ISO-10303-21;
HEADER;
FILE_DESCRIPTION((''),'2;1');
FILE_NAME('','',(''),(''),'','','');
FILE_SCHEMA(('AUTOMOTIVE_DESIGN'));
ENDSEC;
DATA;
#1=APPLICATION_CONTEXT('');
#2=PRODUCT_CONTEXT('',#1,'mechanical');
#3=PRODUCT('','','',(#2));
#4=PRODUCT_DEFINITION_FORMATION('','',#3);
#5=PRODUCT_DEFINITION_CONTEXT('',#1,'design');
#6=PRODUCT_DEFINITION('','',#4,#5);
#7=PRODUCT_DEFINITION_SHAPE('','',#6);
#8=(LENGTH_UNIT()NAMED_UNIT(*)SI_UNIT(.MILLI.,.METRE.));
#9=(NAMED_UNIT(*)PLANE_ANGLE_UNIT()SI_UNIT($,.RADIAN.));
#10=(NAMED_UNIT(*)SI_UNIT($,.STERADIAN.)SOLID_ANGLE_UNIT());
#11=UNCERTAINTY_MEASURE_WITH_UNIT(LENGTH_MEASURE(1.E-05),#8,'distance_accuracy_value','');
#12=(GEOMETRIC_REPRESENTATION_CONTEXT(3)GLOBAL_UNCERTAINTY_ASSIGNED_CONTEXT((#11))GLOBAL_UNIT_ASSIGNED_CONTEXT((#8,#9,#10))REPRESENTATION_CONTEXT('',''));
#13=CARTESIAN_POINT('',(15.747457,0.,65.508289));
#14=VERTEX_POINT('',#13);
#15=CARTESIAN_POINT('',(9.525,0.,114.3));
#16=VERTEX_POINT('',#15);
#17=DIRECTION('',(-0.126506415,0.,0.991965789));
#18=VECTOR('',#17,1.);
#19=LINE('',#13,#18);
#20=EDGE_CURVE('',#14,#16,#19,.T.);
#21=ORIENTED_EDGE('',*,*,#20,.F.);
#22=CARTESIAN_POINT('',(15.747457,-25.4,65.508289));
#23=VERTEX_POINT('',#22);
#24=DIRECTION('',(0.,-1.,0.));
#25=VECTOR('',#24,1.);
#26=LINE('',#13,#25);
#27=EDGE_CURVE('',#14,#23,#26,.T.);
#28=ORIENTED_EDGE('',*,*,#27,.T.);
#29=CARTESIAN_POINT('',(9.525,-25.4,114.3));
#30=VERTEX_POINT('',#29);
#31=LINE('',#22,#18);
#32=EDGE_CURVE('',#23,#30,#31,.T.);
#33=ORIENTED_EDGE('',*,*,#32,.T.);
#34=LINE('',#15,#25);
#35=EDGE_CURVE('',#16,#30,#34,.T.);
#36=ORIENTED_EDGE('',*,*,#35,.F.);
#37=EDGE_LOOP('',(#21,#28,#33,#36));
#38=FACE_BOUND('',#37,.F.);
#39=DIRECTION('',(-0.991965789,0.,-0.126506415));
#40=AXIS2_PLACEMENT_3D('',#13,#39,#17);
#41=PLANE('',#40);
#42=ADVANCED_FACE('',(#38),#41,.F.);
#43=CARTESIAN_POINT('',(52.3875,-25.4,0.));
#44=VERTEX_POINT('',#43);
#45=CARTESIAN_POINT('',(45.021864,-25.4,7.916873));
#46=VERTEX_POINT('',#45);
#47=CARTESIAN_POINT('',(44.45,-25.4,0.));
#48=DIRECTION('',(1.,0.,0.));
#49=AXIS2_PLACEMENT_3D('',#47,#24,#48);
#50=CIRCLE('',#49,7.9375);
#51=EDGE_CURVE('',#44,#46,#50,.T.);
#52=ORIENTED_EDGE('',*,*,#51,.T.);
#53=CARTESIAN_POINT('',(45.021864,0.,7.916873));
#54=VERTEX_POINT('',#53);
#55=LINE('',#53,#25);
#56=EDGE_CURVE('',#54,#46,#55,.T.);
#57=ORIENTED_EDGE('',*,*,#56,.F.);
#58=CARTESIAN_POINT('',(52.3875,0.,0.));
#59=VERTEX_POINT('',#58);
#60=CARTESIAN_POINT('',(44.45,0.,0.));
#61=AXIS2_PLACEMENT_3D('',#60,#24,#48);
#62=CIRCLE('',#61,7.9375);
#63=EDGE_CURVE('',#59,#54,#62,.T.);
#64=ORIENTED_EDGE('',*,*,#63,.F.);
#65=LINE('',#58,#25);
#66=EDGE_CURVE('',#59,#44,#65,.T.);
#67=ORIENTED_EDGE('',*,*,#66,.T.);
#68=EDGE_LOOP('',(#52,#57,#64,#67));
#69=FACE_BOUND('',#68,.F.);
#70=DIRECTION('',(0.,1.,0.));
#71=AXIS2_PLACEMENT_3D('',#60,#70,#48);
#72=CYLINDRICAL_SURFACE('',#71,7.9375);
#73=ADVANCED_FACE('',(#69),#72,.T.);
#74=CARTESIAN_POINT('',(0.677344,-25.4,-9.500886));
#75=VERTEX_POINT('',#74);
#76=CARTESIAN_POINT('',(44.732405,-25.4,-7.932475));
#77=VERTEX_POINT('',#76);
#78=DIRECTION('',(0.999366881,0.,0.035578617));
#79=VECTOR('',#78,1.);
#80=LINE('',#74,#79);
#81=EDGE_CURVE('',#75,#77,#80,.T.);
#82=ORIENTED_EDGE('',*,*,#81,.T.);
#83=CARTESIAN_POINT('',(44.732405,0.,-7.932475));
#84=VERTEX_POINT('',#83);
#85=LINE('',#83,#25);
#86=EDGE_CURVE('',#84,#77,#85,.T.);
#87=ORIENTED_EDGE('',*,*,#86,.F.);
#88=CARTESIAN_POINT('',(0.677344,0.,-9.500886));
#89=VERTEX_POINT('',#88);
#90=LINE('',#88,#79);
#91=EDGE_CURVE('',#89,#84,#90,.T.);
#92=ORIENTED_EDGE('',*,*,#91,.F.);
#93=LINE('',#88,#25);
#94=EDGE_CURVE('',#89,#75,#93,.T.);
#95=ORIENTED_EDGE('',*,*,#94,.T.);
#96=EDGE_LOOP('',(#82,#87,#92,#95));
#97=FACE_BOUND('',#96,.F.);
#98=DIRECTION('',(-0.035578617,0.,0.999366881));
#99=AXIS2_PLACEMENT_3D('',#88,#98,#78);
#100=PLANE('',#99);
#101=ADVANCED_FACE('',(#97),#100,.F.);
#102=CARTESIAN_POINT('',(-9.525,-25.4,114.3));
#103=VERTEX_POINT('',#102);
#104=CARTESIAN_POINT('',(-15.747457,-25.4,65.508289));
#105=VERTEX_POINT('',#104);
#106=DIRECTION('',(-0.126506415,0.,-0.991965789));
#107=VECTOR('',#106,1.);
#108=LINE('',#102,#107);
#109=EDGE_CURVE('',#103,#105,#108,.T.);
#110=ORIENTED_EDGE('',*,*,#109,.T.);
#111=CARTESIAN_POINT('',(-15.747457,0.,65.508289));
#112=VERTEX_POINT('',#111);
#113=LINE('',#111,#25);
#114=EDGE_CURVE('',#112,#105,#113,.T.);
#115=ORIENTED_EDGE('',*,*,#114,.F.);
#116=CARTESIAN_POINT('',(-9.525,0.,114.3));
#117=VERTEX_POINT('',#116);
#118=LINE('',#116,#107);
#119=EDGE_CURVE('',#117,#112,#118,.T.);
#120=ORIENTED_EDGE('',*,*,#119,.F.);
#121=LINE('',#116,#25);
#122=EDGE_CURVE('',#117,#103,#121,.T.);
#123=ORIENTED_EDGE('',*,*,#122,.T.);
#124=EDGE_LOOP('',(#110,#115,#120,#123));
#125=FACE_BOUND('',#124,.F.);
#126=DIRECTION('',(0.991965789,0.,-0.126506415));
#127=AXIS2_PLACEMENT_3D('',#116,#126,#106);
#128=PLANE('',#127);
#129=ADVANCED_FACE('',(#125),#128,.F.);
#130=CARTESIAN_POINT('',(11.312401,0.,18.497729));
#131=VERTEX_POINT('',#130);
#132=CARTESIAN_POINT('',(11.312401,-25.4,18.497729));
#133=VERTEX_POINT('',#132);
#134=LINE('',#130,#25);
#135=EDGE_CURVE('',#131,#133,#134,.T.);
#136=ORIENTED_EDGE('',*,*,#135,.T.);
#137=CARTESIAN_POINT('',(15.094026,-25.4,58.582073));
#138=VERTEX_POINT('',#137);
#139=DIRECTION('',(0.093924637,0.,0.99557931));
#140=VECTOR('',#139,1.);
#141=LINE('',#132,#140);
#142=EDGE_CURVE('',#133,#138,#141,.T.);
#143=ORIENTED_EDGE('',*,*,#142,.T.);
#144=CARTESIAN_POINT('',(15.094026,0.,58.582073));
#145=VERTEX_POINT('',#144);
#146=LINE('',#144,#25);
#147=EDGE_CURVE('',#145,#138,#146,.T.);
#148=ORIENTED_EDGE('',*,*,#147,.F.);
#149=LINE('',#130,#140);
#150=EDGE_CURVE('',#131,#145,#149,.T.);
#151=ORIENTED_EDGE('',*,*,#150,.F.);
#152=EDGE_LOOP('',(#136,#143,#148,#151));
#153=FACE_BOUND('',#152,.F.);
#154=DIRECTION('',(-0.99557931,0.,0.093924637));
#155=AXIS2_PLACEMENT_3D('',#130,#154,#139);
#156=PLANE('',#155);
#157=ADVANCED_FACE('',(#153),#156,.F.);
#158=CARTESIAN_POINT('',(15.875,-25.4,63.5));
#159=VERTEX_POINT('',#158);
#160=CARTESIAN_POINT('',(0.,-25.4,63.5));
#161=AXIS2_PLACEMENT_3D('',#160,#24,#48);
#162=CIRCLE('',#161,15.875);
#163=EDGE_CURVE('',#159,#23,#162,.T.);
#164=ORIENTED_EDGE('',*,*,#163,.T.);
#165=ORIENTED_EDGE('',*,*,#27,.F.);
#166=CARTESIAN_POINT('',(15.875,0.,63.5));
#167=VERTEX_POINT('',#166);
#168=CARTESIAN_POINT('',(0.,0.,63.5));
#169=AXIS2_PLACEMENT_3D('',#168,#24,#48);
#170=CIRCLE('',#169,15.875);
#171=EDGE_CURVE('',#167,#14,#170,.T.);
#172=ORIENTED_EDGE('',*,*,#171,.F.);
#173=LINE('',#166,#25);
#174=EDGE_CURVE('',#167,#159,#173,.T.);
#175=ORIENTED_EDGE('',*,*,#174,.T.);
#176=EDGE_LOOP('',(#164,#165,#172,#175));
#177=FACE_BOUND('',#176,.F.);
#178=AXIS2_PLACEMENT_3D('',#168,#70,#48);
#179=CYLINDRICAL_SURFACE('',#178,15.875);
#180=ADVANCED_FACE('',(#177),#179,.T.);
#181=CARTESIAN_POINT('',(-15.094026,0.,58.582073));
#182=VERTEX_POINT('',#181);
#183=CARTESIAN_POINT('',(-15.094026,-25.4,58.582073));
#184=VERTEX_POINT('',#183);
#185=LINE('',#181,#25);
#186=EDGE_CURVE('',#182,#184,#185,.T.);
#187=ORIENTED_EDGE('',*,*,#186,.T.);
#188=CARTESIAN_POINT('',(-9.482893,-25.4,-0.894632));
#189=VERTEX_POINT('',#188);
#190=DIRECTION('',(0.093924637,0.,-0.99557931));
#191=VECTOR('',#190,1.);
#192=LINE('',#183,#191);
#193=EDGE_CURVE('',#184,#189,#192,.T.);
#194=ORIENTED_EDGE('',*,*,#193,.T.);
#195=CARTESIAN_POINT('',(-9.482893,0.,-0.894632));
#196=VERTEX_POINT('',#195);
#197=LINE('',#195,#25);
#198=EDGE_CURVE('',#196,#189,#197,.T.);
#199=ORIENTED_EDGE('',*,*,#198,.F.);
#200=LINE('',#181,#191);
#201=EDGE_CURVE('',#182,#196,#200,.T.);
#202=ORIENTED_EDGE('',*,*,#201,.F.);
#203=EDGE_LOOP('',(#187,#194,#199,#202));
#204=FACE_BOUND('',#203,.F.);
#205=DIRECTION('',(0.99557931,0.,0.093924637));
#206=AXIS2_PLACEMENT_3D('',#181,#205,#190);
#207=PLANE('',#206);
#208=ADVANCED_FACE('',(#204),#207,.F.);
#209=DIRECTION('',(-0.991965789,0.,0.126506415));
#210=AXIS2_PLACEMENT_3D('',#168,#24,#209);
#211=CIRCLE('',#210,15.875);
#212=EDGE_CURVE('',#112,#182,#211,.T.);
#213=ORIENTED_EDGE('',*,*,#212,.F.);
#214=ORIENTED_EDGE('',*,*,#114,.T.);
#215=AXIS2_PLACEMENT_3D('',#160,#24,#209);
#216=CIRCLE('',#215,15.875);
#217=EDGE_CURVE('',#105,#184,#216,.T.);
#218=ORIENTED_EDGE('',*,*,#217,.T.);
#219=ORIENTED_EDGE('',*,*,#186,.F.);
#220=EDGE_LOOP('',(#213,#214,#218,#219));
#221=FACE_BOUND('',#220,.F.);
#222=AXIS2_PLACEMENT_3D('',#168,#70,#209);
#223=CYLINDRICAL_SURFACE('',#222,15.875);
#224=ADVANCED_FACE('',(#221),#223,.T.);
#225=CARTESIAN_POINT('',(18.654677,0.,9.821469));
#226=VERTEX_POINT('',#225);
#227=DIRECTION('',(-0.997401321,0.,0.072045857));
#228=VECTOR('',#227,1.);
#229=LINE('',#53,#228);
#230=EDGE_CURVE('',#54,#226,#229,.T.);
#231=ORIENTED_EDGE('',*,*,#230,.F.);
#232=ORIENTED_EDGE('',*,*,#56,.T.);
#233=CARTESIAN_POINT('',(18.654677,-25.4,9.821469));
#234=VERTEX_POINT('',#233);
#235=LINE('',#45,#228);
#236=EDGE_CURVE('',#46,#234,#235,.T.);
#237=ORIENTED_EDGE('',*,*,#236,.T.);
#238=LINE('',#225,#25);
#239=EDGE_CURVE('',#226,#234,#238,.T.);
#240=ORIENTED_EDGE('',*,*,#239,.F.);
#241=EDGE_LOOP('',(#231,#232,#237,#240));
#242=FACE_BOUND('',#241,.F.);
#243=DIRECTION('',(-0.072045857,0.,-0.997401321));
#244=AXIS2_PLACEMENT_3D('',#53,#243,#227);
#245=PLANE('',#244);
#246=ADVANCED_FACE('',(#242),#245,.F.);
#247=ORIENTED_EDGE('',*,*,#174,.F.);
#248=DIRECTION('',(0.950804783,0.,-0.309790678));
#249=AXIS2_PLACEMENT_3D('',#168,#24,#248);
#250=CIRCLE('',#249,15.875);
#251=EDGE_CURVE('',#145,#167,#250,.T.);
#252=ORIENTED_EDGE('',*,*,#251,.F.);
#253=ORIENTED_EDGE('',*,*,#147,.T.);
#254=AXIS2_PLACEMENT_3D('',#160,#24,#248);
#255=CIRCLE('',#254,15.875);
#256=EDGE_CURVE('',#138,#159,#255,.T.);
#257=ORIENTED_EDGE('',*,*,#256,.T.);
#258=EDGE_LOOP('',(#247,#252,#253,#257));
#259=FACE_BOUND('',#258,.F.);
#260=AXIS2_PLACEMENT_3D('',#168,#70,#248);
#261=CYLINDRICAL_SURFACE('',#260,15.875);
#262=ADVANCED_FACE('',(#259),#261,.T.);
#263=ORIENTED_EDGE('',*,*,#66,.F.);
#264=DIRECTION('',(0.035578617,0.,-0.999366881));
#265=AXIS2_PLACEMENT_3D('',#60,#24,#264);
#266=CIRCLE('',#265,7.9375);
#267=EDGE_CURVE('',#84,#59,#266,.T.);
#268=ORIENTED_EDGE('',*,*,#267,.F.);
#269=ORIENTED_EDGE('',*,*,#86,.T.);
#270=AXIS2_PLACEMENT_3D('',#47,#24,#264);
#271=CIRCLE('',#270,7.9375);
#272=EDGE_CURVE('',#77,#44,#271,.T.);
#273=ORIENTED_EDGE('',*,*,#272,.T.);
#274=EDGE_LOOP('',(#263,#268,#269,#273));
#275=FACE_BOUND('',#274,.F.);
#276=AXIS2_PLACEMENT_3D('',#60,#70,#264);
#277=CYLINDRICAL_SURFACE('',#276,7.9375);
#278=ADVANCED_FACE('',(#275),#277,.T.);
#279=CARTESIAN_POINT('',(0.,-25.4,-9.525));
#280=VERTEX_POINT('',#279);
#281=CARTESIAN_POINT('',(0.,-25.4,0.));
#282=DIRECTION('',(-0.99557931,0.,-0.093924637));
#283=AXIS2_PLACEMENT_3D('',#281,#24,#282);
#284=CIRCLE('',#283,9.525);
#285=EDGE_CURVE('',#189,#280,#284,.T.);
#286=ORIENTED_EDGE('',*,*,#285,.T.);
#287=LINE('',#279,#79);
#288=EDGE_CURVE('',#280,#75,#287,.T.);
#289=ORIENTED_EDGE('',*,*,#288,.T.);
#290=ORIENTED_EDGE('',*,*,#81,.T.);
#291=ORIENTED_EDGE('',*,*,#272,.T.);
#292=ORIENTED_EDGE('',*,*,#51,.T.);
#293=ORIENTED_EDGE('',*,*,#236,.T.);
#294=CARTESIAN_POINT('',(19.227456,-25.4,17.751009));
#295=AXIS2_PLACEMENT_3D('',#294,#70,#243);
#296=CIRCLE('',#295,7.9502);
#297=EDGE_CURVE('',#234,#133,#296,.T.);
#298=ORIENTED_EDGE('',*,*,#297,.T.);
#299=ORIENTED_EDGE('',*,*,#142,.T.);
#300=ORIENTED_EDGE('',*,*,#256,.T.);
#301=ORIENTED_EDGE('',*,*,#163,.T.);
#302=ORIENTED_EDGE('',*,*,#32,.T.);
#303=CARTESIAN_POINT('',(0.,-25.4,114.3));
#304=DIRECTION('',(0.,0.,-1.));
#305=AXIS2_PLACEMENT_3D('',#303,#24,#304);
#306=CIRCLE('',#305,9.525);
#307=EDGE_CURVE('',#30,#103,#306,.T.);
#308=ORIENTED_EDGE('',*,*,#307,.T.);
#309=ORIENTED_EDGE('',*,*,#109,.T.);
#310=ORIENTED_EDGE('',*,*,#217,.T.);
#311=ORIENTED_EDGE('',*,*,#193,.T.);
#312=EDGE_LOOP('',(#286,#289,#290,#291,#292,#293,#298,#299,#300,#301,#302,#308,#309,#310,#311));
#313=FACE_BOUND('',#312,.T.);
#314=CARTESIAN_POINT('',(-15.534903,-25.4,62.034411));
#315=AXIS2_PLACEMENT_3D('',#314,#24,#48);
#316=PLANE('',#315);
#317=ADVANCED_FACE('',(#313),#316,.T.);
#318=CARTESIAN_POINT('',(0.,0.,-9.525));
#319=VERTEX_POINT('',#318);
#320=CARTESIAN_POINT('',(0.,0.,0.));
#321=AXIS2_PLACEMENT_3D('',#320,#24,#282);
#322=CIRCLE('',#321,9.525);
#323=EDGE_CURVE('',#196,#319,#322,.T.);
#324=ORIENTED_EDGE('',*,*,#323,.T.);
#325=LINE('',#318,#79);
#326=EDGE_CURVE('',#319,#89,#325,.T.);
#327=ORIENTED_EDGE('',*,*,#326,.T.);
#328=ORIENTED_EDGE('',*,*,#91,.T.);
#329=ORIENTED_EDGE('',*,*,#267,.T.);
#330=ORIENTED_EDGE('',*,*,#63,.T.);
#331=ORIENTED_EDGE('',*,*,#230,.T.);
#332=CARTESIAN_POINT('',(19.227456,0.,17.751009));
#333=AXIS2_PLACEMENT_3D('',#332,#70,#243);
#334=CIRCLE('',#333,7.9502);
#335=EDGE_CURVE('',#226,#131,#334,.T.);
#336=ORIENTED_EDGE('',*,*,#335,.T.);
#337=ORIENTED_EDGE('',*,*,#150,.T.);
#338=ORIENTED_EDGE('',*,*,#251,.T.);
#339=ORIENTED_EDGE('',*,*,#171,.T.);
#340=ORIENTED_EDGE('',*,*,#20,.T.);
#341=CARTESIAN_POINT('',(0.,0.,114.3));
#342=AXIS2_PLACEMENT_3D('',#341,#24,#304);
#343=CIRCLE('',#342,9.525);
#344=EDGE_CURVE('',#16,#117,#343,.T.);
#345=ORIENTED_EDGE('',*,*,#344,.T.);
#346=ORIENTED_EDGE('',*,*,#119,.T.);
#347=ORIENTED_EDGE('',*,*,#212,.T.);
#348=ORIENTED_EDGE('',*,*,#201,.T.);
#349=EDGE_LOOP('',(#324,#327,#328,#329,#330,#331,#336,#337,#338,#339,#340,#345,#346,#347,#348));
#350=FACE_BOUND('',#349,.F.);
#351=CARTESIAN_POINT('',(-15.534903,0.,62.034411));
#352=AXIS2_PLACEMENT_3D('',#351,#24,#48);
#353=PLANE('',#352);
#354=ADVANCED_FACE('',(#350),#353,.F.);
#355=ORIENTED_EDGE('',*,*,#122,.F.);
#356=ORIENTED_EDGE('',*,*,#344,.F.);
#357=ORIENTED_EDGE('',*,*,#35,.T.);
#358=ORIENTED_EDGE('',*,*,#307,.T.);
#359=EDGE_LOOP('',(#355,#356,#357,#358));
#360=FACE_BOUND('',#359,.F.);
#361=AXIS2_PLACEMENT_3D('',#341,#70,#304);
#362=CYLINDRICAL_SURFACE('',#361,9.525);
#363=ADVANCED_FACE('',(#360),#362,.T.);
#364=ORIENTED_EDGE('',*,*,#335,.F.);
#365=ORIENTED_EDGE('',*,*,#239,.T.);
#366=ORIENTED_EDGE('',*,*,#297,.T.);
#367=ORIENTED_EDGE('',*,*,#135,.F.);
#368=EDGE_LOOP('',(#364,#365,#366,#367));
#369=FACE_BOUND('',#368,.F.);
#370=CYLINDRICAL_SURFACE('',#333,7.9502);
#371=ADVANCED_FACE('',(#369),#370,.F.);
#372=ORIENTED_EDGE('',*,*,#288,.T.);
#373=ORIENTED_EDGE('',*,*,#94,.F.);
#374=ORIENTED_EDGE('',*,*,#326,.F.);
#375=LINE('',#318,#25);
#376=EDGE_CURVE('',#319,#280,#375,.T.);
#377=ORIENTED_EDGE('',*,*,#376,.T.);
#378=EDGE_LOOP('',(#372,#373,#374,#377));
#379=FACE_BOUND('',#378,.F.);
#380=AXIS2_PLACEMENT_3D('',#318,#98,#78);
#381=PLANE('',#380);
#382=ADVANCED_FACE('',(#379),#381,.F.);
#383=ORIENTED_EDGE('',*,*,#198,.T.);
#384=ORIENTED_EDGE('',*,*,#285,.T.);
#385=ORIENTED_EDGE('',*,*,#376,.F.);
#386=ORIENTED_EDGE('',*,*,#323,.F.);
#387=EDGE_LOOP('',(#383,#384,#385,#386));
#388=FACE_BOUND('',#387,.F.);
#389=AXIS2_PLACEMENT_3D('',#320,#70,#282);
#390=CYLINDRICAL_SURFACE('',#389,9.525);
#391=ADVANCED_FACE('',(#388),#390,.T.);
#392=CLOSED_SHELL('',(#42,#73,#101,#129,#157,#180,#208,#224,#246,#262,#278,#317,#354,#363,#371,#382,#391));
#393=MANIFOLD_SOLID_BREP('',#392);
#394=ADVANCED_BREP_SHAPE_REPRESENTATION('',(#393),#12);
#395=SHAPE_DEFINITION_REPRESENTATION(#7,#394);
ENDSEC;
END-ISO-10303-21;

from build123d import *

# Parameters (mm, degrees)
F1_DEPTH = 25.4


with BuildPart() as f1:
    # F0 (on Front) → F1 (new body)
    with BuildSketch(Plane.XZ):
        with BuildLine():
            ThreePointArc((-15.7474569047, 65.5082893304), (-15.8048215471, 62.0089463914), (-15.0940259351, 58.5820729906))
            Line((-15.0940259351, 58.5820729906), (-15.7474569047, 65.5082893304))
        make_face()
        with BuildLine():
            Line((15.7474569047, 65.5082893304), (15.0940259351, 58.5820729906))
            ThreePointArc((15.0940259351, 58.5820729906), (15.6785408556, 61.0102245804), (15.875, 63.5))
            ThreePointArc((15.875, 63.5), (15.8430821396, 64.5061676396), (15.7474569047, 65.5082893304))
        make_face()
        with BuildLine():
            Line((0, 9.525), (0, 0))
            Line((0, 0), (9.525, 0))
            ThreePointArc((9.525, 0), (6.7351920908, 6.7351920908), (0, 9.525))
        make_face()
        with BuildLine():
            ThreePointArc((-9.525, 114.3), (-6.7351920908, 107.5648079092), (0, 104.775))
            ThreePointArc((0, 104.775), (6.7351920908, 107.5648079092), (9.525, 114.3))
            ThreePointArc((9.525, 114.3), (0, 123.825), (-9.525, 114.3))
        make_face()
        with BuildLine():
            ThreePointArc((45.0218639872, 7.9168729831), (39.0433034184, 5.8113284475), (36.5125, 0))
            ThreePointArc((36.5125, 0), (38.9380895153, -5.7116327839), (44.7324052746, -7.9324746146))
            ThreePointArc((44.7324052746, -7.9324746146), (50.1616327839, -5.5119104847), (52.3875, 0))
            ThreePointArc((52.3875, 0), (50.2613284475, 5.4066965816), (45.0218639872, 7.9168729831))
        make_face()
        with BuildLine():
            Line((9.525, 0), (0, 0))
            Line((0, 0), (0, 9.525))
            ThreePointArc((0, 9.525), (-7.0443948063, 6.4110940418), (-9.4828929283, -0.8946321652))
            ThreePointArc((-9.4828929283, -0.8946321652), (-6.4110940418, -7.0443948063), (0, -9.525))
            Line((0, -9.525), (0.6773435479, -9.500885786))
            ThreePointArc((0.6773435479, -9.500885786), (6.9705567315, -6.4912990883), (9.525, 0))
        make_face()
        with BuildLine():
            ThreePointArc((-15.0940259351, 58.5820729906), (-9.3258654753, 50.6530603591), (0, 47.625))
            Line((0, 47.625), (0, 79.375))
            ThreePointArc((0, 79.375), (-10.4912828548, 75.4142187767), (-15.7474569047, 65.5082893304))
            Line((-15.7474569047, 65.5082893304), (-15.0940259351, 58.5820729906))
        make_face()
        with BuildLine():
            ThreePointArc((-15.7474569047, 65.5082893304), (-10.4912828548, 75.4142187767), (0, 79.375))
            Line((0, 79.375), (0, 104.775))
            ThreePointArc((0, 104.775), (-6.7351920908, 107.5648079092), (-9.525, 114.3))
            Line((-9.525, 114.3), (-15.7474569047, 65.5082893304))
        make_face()
        with BuildLine():
            Line((36.5125, 0), (9.525, 0))
            ThreePointArc((9.525, 0), (6.9705567315, -6.4912990883), (0.6773435479, -9.500885786))
            Line((0.6773435479, -9.500885786), (44.7324052746, -7.9324746146))
            ThreePointArc((44.7324052746, -7.9324746146), (38.9380895153, -5.7116327839), (36.5125, 0))
        make_face()
        with BuildLine():
            Line((0, 79.375), (0, 47.625))
            ThreePointArc((0, 47.625), (9.3258654753, 50.6530603591), (15.0940259351, 58.5820729906))
            Line((15.0940259351, 58.5820729906), (15.7474569047, 65.5082893304))
            ThreePointArc((15.7474569047, 65.5082893304), (10.4912828548, 75.4142187767), (0, 79.375))
        make_face()
        with BuildLine():
            Line((0, 47.625), (0, 9.525))
            ThreePointArc((0, 9.525), (6.7351920908, 6.7351920908), (9.525, 0))
            Line((9.525, 0), (36.5125, 0))
            ThreePointArc((36.5125, 0), (39.0433034184, 5.8113284475), (45.0218639872, 7.9168729831))
            Line((45.0218639872, 7.9168729831), (18.6546767221, 9.8214690116))
            ThreePointArc((18.6546767221, 9.8214690116), (13.1586666786, 12.615302618), (11.3124010609, 18.4977286386))
            Line((11.3124010609, 18.4977286386), (15.0940259351, 58.5820729906))
            ThreePointArc((15.0940259351, 58.5820729906), (9.3258654753, 50.6530603591), (0, 47.625))
        make_face()
        with BuildLine():
            Line((0, 104.775), (0, 79.375))
            ThreePointArc((0, 79.375), (10.4912828548, 75.4142187767), (15.7474569047, 65.5082893304))
            Line((15.7474569047, 65.5082893304), (9.525, 114.3))
            ThreePointArc((9.525, 114.3), (6.7351920908, 107.5648079092), (0, 104.775))
        make_face()
        with BuildLine():
            ThreePointArc((-9.4828929283, -0.8946321652), (-7.0443948063, 6.4110940418), (0, 9.525))
            Line((0, 9.525), (0, 47.625))
            ThreePointArc((0, 47.625), (-9.3258654753, 50.6530603591), (-15.0940259351, 58.5820729906))
            Line((-15.0940259351, 58.5820729906), (-9.4828929283, -0.8946321652))
        make_face()
    extrude(amount=F1_DEPTH)


solid = f1.part
